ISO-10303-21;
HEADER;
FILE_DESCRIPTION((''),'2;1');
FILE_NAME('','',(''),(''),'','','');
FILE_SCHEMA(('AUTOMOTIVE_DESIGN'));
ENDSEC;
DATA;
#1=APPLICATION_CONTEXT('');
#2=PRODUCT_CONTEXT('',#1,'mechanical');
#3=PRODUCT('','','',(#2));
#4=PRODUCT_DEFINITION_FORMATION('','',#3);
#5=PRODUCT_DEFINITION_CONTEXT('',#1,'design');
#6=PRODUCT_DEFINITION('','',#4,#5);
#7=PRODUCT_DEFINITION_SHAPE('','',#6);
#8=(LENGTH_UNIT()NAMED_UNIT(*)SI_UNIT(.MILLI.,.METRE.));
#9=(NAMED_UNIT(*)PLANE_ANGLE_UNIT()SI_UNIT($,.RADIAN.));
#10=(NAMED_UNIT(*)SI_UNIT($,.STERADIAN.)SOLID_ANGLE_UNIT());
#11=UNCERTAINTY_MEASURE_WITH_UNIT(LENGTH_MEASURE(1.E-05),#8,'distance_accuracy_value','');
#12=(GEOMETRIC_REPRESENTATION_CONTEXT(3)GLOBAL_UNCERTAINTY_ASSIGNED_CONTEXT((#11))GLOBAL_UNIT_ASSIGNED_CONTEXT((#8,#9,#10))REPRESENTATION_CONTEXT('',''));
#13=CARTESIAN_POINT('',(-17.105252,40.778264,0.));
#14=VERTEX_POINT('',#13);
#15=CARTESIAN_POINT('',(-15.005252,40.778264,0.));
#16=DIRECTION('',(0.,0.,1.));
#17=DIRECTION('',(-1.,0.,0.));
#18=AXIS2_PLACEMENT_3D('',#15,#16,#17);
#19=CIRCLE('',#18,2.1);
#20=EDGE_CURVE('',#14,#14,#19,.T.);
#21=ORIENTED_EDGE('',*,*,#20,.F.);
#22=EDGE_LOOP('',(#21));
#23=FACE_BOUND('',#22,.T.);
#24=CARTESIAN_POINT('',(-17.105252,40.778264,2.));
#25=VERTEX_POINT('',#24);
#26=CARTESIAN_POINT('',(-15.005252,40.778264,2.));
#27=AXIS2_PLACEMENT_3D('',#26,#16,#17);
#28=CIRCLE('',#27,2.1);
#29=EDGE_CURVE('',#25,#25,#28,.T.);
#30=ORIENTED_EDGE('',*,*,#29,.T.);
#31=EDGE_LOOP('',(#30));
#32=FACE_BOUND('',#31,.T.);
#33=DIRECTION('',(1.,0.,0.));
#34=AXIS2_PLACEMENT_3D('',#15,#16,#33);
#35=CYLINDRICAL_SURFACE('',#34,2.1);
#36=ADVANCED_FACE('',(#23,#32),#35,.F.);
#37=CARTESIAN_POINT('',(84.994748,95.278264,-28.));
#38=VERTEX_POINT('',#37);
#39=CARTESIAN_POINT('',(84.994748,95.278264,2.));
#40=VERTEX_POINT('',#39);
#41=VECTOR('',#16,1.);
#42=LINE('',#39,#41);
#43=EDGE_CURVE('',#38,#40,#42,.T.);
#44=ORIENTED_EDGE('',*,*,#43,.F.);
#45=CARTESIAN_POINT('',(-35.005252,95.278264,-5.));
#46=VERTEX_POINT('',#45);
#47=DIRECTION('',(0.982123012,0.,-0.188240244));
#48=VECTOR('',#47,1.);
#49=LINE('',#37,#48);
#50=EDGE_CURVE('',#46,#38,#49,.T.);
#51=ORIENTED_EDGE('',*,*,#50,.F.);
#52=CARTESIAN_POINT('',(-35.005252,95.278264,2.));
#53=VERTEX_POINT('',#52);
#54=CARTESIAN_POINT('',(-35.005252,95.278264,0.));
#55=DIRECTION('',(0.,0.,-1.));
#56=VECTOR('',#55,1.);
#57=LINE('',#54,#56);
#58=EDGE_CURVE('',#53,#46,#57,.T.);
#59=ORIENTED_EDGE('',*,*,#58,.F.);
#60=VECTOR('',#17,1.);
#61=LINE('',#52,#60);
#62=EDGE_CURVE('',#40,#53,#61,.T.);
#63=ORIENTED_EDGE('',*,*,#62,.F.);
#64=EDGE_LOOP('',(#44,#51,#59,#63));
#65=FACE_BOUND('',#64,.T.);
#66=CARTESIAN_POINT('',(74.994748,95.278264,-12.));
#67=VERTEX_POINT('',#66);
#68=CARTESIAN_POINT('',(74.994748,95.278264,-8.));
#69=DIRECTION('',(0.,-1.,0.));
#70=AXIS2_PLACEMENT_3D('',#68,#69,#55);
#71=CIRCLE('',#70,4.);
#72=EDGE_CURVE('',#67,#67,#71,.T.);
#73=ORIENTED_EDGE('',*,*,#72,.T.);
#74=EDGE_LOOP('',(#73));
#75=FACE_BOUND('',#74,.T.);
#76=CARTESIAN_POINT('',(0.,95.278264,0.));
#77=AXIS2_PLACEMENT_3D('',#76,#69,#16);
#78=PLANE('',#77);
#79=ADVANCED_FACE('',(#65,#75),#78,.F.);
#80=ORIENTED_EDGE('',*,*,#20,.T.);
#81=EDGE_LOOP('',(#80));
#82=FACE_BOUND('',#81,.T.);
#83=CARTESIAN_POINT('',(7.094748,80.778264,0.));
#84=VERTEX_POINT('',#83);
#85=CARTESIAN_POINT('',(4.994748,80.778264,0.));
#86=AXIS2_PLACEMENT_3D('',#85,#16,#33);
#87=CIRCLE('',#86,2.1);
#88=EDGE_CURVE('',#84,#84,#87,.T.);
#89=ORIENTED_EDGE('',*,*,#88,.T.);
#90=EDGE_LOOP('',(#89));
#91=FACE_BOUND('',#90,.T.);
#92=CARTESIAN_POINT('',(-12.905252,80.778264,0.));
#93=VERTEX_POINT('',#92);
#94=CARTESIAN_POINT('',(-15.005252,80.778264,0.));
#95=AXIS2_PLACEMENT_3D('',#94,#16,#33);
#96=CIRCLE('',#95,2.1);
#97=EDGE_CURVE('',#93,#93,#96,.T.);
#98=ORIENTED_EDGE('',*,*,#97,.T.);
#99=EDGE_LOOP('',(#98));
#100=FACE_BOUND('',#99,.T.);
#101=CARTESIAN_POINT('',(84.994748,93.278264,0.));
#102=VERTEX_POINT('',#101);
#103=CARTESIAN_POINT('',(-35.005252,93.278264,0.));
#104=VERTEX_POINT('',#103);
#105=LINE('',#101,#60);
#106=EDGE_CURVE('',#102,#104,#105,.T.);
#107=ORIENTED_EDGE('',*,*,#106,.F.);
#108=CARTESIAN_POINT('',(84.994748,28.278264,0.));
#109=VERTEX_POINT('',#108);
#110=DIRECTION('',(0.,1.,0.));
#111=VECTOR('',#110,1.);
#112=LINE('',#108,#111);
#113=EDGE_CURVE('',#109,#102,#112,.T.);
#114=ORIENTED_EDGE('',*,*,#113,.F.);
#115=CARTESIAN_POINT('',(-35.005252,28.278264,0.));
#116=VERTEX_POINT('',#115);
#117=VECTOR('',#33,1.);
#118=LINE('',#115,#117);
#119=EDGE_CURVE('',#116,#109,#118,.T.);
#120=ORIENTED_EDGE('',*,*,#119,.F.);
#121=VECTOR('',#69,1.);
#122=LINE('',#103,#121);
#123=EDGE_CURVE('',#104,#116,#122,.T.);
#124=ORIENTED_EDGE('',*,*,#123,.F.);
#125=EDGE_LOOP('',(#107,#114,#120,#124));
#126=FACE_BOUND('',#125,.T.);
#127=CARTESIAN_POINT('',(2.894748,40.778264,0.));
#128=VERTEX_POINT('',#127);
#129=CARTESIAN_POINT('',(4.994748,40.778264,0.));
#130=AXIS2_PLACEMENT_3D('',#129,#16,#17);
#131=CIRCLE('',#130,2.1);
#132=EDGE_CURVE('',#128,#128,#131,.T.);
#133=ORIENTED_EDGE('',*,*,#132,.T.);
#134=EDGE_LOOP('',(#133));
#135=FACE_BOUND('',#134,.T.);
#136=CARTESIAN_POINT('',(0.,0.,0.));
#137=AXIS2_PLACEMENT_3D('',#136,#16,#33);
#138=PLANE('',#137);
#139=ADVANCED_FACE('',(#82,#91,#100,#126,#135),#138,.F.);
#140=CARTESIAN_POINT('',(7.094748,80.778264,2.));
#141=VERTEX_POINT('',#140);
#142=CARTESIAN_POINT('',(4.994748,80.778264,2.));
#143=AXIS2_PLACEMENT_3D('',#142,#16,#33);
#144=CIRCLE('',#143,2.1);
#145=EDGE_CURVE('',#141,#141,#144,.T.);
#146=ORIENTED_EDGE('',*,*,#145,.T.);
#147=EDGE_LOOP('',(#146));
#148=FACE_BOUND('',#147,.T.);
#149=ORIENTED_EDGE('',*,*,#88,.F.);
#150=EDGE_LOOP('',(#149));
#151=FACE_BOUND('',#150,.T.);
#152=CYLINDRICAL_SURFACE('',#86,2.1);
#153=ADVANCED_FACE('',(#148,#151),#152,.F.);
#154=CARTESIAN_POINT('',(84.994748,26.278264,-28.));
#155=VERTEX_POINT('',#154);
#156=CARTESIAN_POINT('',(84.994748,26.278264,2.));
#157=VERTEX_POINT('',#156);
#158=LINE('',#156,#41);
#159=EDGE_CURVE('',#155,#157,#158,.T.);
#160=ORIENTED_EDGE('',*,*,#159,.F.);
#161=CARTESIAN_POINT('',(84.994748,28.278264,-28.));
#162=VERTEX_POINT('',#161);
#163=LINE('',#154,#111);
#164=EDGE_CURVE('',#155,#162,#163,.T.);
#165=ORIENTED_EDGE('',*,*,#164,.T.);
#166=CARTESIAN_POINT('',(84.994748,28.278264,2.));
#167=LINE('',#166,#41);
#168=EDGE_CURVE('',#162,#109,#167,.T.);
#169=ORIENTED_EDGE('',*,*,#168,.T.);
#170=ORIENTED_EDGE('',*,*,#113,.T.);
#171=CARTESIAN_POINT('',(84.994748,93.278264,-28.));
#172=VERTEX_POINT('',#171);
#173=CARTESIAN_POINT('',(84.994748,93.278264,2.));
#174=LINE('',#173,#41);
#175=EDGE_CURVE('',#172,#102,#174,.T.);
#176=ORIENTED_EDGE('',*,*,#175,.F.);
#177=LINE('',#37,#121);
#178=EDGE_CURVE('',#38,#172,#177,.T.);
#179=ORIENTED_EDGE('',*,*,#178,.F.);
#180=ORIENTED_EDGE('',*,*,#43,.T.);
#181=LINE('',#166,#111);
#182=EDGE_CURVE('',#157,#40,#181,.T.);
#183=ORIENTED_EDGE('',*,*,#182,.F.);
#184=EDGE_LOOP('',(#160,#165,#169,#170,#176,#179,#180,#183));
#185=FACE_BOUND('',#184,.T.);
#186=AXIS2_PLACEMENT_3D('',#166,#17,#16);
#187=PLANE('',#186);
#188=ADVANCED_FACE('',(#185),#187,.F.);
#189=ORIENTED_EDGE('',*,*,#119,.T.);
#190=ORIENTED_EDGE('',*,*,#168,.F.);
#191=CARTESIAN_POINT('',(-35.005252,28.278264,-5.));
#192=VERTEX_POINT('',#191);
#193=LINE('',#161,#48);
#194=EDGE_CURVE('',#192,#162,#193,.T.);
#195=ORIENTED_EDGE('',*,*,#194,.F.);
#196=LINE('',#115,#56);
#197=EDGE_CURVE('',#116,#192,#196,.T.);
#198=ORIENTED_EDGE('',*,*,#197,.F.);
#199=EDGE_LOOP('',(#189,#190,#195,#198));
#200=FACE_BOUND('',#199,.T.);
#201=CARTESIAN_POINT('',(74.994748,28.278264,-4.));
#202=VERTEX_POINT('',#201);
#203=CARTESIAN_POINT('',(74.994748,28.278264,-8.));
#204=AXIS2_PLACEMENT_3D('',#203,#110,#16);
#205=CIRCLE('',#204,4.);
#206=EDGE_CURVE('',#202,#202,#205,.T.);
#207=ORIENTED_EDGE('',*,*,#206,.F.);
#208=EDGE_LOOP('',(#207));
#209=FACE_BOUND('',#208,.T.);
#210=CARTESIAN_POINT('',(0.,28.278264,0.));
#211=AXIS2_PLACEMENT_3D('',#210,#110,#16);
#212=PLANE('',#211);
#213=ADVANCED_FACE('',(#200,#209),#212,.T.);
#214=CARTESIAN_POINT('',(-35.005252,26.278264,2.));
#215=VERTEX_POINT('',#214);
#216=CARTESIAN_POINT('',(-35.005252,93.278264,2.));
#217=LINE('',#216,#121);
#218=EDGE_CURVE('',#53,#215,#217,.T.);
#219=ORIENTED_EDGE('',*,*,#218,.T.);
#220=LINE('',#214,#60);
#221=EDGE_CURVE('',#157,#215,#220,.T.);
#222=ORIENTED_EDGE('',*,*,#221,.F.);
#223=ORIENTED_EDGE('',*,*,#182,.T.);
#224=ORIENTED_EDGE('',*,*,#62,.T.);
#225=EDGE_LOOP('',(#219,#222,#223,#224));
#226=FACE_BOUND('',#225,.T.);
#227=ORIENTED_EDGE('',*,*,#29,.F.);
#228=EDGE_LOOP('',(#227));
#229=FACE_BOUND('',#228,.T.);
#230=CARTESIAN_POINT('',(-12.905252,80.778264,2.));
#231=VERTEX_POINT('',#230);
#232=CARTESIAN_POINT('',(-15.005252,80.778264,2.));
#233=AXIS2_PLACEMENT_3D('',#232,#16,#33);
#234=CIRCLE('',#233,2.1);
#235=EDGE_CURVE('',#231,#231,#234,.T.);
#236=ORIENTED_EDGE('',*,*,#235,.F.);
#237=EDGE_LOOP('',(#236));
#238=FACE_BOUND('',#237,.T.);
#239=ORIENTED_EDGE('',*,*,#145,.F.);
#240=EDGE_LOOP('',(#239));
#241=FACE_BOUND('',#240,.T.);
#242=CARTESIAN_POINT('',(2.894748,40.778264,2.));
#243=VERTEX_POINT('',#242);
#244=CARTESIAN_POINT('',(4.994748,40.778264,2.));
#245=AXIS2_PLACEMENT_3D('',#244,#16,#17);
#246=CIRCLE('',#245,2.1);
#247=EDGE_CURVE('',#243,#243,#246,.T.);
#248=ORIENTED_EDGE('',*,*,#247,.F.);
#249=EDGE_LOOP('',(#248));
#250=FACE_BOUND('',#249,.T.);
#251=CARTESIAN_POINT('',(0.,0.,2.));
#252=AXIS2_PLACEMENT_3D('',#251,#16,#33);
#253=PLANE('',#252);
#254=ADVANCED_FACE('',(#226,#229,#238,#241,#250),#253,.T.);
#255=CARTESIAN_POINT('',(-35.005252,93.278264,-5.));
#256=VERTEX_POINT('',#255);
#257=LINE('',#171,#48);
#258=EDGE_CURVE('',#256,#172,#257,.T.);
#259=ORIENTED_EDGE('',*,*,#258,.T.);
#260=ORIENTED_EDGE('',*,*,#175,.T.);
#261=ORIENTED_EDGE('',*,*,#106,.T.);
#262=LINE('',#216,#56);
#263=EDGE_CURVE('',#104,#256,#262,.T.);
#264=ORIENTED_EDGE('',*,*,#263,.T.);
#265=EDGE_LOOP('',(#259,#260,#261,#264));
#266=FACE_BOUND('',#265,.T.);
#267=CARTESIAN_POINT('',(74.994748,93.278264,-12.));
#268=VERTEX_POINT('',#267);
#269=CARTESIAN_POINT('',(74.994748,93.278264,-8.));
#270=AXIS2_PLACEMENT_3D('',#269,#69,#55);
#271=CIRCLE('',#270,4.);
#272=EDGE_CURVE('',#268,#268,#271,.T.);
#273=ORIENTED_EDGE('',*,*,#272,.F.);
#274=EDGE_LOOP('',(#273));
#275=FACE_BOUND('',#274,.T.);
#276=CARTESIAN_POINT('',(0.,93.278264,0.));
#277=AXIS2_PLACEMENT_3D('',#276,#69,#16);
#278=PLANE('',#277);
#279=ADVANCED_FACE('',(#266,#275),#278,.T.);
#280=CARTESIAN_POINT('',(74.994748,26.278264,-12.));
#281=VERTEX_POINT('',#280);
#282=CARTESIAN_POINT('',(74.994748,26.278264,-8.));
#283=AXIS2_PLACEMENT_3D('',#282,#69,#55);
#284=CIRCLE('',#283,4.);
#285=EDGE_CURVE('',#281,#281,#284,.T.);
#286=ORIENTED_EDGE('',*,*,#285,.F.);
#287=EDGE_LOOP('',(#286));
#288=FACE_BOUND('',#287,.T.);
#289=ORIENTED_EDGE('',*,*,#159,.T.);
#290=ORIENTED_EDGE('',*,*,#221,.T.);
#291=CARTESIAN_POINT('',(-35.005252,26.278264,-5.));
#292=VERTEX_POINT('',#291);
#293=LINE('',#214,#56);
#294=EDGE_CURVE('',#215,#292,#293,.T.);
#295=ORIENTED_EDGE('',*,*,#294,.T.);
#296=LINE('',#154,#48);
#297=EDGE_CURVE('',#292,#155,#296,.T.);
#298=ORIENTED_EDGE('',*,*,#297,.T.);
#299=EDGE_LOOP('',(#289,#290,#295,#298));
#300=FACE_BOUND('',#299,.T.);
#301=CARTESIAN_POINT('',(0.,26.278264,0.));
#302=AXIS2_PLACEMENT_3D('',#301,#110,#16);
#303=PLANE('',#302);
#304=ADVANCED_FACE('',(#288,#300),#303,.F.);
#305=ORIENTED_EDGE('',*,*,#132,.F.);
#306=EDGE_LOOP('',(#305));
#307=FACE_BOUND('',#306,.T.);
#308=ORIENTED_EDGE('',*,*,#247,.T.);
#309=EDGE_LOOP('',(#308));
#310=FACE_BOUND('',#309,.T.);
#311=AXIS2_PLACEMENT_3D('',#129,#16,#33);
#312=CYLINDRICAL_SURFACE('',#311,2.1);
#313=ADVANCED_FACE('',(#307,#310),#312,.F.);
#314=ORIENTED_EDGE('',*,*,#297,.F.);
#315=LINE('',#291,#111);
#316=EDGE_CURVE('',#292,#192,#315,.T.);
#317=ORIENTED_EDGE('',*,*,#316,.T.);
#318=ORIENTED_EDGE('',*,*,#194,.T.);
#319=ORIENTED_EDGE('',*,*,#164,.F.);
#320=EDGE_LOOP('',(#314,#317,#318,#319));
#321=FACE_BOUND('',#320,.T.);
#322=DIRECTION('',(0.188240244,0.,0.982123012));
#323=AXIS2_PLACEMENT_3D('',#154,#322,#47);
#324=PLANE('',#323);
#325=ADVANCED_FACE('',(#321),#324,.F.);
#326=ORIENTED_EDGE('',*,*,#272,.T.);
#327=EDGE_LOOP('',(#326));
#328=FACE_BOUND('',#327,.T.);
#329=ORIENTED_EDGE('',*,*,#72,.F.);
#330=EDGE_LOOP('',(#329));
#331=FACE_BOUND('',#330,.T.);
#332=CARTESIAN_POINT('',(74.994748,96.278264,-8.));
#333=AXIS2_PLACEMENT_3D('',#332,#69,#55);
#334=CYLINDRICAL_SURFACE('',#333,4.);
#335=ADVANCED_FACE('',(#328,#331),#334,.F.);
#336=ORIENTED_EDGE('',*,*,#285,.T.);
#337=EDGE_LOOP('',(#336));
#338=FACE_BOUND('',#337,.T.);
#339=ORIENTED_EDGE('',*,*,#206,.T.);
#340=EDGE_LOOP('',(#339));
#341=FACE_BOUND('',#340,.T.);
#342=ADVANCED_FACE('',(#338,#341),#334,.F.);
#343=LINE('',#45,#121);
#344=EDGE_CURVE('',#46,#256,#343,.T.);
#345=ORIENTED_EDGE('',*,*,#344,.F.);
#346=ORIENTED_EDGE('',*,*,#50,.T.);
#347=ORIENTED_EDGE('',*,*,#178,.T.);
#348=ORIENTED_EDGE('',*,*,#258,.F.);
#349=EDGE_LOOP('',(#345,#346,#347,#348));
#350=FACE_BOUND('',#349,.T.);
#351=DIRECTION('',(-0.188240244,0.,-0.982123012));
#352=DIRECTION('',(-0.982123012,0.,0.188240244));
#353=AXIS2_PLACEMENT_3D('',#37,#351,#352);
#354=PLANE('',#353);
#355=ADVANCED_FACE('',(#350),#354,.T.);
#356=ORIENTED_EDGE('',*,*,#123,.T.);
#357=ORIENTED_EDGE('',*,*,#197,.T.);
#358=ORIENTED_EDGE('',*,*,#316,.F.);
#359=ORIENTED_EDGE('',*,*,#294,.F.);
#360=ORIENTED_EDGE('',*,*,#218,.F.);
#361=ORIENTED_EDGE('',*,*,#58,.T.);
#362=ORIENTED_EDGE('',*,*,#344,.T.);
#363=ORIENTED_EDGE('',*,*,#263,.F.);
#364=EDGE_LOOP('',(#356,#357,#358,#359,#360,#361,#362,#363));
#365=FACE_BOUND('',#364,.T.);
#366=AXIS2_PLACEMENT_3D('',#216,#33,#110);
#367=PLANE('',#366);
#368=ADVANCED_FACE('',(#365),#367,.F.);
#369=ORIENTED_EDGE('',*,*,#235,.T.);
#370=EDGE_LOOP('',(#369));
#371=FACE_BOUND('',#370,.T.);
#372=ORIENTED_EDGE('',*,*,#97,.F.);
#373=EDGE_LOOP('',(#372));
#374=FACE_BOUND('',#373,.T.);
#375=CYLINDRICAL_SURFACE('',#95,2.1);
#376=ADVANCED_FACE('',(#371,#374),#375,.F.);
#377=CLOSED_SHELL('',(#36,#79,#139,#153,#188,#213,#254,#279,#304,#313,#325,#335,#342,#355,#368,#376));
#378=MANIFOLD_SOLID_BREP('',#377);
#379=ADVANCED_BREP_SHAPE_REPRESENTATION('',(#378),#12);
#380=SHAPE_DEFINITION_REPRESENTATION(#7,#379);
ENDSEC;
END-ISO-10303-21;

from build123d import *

# Parameters (mm, degrees)
SKETCH_1_W          = 120
SKETCH_1_H          = 65
EXTRUDE_1_DEPTH     = 2
EXTRUDE_2_DEPTH     = 2
SKETCH_3_R          = 2.1
CUT_EXTRUDE_1_DEPTH = 2
SKETCH_4_R          = 4
CUT_EXTRUDE_2_DEPTH = 70


with BuildPart() as part:
    # 草图1 → 凸台-拉伸1 (new body)
    with BuildSketch(Plane.XY):
        with Locations((24.994747839, 60.778264202)):
            Rectangle(SKETCH_1_W, SKETCH_1_H)
    extrude(amount=EXTRUDE_1_DEPTH)

    # 草图2 → 凸台-拉伸2 (add)
    with BuildSketch(Plane.XZ.offset(-28.278264202)):
        Polygon((-35.005252161, 2), (-35.005252161, 0), (-35.005252161, -5), (84.994747839, -28), (84.994747839, 2), align=None)
    extrude_2 = extrude(amount=EXTRUDE_2_DEPTH)

    # 镜向1: 凸台-拉伸2 across plane
    add(extrude_2.mirror(Plane.ZX.offset(60.778264202)))

    # 草图3 → 切除-拉伸1 (cut)
    with BuildSketch(Plane.XY.offset(2)):
        with Locations((-15.005252161, 80.778264202)):
            Circle(SKETCH_3_R)
        with Locations((4.994747839, 80.778264202)):
            Circle(SKETCH_3_R)
        with Locations((-15.005252161, 40.778264202)):
            Circle(SKETCH_3_R)
        with Locations((4.994747839, 40.778264202)):
            Circle(SKETCH_3_R)
    extrude(amount=-CUT_EXTRUDE_1_DEPTH, mode=Mode.SUBTRACT)

    # 草图4 → 切除-拉伸2 (cut)
    with BuildSketch(Plane(origin=(0, 26.278264202, 0), x_dir=(-1, 0, 0), z_dir=(0, -1, 0))):
        with Locations((-74.994747839, 8)):
            Circle(SKETCH_4_R)
    extrude(amount=-CUT_EXTRUDE_2_DEPTH, mode=Mode.SUBTRACT)


solid = part.part
